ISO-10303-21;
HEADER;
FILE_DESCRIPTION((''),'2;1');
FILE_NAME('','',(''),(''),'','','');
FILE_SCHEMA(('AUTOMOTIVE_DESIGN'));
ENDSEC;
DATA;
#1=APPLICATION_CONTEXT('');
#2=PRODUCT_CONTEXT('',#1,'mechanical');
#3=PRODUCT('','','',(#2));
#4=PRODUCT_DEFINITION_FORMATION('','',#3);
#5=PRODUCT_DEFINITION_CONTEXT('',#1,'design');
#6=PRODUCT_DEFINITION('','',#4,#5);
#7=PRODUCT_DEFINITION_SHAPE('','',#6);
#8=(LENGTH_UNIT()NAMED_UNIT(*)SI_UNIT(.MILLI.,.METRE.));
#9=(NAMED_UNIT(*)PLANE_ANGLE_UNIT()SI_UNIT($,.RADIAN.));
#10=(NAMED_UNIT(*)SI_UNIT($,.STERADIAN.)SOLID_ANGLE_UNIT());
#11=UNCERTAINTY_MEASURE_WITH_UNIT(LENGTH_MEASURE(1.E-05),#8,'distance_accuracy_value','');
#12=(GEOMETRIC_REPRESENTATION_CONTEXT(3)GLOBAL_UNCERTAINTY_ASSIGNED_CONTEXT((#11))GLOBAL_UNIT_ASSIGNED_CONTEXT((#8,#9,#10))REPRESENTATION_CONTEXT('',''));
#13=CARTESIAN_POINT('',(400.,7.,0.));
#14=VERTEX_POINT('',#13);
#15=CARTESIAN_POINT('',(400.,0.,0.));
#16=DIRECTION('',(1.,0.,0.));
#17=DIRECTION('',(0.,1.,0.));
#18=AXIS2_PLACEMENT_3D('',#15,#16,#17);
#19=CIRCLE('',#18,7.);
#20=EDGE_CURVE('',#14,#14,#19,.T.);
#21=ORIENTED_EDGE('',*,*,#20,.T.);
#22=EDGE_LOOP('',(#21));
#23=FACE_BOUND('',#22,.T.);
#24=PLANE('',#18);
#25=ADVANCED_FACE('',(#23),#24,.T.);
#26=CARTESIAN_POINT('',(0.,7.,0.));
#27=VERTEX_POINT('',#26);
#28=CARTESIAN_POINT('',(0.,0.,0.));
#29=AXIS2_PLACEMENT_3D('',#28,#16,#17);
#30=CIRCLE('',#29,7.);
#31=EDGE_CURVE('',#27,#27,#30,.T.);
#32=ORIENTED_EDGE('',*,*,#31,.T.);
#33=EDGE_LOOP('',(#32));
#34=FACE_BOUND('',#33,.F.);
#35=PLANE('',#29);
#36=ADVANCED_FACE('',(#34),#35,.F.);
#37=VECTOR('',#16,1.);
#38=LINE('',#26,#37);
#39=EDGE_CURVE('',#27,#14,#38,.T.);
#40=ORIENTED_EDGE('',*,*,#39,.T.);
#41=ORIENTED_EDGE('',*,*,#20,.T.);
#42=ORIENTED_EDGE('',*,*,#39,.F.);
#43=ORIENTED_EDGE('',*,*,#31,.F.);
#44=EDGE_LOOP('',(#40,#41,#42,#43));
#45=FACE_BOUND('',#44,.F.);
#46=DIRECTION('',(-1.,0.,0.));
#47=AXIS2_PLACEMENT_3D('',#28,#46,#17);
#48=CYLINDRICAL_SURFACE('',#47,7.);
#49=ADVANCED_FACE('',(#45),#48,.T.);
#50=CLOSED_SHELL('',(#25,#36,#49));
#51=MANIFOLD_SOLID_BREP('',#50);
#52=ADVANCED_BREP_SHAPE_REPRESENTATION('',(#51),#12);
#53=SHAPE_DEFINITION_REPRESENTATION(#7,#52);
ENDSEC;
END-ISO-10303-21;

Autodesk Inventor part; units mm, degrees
ref_plane "YZ Plane" through (0, 0, 0) normal (1, 0, 0) x (0, 1, 0)
ref_plane "XZ Plane" through (0, 0, 0) normal (0, 1, 0) x (-1, 0, 0)
ref_plane "XY Plane" through (0, 0, 0) normal (0, 0, 1) x (1, 0, 0)
sketch "スケッチ1" plane through (0, 0, 0) normal (1, 0, 0) x (0, 1, 0)
  circle A0 centre (0, 0) radius 7
  dimension "d0" = 14
extrude "押し出し1" add sketch "スケッチ1" along normal blind 400
properties part number "Shaft14mm"
